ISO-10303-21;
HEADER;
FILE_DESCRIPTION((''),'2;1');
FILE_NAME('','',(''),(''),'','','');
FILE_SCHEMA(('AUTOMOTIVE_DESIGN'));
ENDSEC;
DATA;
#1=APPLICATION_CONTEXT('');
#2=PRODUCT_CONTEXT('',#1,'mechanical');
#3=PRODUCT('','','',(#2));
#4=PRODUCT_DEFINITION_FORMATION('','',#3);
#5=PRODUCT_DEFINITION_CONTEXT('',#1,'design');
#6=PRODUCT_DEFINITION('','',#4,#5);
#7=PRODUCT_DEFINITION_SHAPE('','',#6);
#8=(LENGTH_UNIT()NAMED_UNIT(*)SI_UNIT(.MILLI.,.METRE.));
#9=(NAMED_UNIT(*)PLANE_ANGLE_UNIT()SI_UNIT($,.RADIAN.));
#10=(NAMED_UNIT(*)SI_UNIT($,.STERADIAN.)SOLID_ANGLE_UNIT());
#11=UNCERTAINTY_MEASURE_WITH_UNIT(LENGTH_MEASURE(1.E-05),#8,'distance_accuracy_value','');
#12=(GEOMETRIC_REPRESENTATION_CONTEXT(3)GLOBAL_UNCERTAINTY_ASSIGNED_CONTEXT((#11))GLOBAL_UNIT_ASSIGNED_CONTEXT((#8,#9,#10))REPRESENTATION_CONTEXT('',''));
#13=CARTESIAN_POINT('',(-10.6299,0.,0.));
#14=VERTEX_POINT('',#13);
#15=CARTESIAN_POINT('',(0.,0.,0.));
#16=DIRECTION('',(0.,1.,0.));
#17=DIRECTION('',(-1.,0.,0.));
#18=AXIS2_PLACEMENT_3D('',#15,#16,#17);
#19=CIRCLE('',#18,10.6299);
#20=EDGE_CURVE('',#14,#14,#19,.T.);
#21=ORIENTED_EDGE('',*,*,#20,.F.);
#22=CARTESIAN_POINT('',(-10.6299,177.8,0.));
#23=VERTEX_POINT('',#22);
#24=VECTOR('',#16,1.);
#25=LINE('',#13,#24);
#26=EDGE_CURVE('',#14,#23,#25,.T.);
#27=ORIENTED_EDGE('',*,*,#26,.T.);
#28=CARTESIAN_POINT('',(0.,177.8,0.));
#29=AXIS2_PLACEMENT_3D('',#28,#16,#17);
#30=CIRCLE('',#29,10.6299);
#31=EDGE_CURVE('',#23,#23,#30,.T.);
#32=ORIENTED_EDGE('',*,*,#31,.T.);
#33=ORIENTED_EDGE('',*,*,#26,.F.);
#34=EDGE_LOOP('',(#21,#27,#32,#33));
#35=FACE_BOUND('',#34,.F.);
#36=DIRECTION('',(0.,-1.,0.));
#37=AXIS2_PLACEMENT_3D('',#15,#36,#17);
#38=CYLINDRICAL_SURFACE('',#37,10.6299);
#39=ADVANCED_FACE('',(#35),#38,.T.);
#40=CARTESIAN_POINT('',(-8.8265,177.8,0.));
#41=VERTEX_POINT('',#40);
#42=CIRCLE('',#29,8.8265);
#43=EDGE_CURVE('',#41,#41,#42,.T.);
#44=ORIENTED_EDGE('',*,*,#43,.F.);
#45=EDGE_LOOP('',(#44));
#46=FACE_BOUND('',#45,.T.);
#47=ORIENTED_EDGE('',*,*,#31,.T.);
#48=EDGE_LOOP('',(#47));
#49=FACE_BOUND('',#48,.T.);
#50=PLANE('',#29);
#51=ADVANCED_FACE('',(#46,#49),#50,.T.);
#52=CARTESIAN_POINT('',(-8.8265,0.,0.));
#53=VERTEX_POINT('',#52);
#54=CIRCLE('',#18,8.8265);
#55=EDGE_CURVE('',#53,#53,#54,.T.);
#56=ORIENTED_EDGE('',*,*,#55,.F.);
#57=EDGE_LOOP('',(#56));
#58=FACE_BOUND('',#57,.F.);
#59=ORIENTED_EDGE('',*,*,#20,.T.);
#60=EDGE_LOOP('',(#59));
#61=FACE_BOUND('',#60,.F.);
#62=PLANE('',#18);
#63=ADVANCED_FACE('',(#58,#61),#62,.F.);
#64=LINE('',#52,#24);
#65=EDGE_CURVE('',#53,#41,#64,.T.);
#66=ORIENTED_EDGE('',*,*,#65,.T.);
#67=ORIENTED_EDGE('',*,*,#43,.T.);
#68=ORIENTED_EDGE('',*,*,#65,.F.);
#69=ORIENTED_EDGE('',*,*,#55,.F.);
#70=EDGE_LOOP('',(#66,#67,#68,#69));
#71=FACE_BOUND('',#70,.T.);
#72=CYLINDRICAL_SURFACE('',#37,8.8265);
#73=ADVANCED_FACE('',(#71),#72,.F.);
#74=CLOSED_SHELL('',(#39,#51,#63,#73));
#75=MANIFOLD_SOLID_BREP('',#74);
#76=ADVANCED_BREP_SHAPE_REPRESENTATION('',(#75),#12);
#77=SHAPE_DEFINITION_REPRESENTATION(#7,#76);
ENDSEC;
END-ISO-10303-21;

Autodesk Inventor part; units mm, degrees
ref_plane "YZ Plane" through (0, 0, 0) normal (1, 0, 0) x (0, 1, 0)
ref_plane "XZ Plane" through (0, 0, 0) normal (0, 1, 0) x (-1, 0, 0)
ref_plane "XY Plane" through (0, 0, 0) normal (0, 0, 1) x (1, 0, 0)
sketch "Sketch1" plane through (0, 0, 0) normal (0, 1, 0) x (-1, 0, 0)
  circle A0 centre (0, 0) radius 8.8265
  circle A1 centre (0, 0) radius 10.6299
  dimension "d0" = 17.653
  dimension "d1" = 1.8034
extrude "Extrusion1" add sketch "Sketch1" along normal blind 177.8
properties part number "autofeeder pipe1"
